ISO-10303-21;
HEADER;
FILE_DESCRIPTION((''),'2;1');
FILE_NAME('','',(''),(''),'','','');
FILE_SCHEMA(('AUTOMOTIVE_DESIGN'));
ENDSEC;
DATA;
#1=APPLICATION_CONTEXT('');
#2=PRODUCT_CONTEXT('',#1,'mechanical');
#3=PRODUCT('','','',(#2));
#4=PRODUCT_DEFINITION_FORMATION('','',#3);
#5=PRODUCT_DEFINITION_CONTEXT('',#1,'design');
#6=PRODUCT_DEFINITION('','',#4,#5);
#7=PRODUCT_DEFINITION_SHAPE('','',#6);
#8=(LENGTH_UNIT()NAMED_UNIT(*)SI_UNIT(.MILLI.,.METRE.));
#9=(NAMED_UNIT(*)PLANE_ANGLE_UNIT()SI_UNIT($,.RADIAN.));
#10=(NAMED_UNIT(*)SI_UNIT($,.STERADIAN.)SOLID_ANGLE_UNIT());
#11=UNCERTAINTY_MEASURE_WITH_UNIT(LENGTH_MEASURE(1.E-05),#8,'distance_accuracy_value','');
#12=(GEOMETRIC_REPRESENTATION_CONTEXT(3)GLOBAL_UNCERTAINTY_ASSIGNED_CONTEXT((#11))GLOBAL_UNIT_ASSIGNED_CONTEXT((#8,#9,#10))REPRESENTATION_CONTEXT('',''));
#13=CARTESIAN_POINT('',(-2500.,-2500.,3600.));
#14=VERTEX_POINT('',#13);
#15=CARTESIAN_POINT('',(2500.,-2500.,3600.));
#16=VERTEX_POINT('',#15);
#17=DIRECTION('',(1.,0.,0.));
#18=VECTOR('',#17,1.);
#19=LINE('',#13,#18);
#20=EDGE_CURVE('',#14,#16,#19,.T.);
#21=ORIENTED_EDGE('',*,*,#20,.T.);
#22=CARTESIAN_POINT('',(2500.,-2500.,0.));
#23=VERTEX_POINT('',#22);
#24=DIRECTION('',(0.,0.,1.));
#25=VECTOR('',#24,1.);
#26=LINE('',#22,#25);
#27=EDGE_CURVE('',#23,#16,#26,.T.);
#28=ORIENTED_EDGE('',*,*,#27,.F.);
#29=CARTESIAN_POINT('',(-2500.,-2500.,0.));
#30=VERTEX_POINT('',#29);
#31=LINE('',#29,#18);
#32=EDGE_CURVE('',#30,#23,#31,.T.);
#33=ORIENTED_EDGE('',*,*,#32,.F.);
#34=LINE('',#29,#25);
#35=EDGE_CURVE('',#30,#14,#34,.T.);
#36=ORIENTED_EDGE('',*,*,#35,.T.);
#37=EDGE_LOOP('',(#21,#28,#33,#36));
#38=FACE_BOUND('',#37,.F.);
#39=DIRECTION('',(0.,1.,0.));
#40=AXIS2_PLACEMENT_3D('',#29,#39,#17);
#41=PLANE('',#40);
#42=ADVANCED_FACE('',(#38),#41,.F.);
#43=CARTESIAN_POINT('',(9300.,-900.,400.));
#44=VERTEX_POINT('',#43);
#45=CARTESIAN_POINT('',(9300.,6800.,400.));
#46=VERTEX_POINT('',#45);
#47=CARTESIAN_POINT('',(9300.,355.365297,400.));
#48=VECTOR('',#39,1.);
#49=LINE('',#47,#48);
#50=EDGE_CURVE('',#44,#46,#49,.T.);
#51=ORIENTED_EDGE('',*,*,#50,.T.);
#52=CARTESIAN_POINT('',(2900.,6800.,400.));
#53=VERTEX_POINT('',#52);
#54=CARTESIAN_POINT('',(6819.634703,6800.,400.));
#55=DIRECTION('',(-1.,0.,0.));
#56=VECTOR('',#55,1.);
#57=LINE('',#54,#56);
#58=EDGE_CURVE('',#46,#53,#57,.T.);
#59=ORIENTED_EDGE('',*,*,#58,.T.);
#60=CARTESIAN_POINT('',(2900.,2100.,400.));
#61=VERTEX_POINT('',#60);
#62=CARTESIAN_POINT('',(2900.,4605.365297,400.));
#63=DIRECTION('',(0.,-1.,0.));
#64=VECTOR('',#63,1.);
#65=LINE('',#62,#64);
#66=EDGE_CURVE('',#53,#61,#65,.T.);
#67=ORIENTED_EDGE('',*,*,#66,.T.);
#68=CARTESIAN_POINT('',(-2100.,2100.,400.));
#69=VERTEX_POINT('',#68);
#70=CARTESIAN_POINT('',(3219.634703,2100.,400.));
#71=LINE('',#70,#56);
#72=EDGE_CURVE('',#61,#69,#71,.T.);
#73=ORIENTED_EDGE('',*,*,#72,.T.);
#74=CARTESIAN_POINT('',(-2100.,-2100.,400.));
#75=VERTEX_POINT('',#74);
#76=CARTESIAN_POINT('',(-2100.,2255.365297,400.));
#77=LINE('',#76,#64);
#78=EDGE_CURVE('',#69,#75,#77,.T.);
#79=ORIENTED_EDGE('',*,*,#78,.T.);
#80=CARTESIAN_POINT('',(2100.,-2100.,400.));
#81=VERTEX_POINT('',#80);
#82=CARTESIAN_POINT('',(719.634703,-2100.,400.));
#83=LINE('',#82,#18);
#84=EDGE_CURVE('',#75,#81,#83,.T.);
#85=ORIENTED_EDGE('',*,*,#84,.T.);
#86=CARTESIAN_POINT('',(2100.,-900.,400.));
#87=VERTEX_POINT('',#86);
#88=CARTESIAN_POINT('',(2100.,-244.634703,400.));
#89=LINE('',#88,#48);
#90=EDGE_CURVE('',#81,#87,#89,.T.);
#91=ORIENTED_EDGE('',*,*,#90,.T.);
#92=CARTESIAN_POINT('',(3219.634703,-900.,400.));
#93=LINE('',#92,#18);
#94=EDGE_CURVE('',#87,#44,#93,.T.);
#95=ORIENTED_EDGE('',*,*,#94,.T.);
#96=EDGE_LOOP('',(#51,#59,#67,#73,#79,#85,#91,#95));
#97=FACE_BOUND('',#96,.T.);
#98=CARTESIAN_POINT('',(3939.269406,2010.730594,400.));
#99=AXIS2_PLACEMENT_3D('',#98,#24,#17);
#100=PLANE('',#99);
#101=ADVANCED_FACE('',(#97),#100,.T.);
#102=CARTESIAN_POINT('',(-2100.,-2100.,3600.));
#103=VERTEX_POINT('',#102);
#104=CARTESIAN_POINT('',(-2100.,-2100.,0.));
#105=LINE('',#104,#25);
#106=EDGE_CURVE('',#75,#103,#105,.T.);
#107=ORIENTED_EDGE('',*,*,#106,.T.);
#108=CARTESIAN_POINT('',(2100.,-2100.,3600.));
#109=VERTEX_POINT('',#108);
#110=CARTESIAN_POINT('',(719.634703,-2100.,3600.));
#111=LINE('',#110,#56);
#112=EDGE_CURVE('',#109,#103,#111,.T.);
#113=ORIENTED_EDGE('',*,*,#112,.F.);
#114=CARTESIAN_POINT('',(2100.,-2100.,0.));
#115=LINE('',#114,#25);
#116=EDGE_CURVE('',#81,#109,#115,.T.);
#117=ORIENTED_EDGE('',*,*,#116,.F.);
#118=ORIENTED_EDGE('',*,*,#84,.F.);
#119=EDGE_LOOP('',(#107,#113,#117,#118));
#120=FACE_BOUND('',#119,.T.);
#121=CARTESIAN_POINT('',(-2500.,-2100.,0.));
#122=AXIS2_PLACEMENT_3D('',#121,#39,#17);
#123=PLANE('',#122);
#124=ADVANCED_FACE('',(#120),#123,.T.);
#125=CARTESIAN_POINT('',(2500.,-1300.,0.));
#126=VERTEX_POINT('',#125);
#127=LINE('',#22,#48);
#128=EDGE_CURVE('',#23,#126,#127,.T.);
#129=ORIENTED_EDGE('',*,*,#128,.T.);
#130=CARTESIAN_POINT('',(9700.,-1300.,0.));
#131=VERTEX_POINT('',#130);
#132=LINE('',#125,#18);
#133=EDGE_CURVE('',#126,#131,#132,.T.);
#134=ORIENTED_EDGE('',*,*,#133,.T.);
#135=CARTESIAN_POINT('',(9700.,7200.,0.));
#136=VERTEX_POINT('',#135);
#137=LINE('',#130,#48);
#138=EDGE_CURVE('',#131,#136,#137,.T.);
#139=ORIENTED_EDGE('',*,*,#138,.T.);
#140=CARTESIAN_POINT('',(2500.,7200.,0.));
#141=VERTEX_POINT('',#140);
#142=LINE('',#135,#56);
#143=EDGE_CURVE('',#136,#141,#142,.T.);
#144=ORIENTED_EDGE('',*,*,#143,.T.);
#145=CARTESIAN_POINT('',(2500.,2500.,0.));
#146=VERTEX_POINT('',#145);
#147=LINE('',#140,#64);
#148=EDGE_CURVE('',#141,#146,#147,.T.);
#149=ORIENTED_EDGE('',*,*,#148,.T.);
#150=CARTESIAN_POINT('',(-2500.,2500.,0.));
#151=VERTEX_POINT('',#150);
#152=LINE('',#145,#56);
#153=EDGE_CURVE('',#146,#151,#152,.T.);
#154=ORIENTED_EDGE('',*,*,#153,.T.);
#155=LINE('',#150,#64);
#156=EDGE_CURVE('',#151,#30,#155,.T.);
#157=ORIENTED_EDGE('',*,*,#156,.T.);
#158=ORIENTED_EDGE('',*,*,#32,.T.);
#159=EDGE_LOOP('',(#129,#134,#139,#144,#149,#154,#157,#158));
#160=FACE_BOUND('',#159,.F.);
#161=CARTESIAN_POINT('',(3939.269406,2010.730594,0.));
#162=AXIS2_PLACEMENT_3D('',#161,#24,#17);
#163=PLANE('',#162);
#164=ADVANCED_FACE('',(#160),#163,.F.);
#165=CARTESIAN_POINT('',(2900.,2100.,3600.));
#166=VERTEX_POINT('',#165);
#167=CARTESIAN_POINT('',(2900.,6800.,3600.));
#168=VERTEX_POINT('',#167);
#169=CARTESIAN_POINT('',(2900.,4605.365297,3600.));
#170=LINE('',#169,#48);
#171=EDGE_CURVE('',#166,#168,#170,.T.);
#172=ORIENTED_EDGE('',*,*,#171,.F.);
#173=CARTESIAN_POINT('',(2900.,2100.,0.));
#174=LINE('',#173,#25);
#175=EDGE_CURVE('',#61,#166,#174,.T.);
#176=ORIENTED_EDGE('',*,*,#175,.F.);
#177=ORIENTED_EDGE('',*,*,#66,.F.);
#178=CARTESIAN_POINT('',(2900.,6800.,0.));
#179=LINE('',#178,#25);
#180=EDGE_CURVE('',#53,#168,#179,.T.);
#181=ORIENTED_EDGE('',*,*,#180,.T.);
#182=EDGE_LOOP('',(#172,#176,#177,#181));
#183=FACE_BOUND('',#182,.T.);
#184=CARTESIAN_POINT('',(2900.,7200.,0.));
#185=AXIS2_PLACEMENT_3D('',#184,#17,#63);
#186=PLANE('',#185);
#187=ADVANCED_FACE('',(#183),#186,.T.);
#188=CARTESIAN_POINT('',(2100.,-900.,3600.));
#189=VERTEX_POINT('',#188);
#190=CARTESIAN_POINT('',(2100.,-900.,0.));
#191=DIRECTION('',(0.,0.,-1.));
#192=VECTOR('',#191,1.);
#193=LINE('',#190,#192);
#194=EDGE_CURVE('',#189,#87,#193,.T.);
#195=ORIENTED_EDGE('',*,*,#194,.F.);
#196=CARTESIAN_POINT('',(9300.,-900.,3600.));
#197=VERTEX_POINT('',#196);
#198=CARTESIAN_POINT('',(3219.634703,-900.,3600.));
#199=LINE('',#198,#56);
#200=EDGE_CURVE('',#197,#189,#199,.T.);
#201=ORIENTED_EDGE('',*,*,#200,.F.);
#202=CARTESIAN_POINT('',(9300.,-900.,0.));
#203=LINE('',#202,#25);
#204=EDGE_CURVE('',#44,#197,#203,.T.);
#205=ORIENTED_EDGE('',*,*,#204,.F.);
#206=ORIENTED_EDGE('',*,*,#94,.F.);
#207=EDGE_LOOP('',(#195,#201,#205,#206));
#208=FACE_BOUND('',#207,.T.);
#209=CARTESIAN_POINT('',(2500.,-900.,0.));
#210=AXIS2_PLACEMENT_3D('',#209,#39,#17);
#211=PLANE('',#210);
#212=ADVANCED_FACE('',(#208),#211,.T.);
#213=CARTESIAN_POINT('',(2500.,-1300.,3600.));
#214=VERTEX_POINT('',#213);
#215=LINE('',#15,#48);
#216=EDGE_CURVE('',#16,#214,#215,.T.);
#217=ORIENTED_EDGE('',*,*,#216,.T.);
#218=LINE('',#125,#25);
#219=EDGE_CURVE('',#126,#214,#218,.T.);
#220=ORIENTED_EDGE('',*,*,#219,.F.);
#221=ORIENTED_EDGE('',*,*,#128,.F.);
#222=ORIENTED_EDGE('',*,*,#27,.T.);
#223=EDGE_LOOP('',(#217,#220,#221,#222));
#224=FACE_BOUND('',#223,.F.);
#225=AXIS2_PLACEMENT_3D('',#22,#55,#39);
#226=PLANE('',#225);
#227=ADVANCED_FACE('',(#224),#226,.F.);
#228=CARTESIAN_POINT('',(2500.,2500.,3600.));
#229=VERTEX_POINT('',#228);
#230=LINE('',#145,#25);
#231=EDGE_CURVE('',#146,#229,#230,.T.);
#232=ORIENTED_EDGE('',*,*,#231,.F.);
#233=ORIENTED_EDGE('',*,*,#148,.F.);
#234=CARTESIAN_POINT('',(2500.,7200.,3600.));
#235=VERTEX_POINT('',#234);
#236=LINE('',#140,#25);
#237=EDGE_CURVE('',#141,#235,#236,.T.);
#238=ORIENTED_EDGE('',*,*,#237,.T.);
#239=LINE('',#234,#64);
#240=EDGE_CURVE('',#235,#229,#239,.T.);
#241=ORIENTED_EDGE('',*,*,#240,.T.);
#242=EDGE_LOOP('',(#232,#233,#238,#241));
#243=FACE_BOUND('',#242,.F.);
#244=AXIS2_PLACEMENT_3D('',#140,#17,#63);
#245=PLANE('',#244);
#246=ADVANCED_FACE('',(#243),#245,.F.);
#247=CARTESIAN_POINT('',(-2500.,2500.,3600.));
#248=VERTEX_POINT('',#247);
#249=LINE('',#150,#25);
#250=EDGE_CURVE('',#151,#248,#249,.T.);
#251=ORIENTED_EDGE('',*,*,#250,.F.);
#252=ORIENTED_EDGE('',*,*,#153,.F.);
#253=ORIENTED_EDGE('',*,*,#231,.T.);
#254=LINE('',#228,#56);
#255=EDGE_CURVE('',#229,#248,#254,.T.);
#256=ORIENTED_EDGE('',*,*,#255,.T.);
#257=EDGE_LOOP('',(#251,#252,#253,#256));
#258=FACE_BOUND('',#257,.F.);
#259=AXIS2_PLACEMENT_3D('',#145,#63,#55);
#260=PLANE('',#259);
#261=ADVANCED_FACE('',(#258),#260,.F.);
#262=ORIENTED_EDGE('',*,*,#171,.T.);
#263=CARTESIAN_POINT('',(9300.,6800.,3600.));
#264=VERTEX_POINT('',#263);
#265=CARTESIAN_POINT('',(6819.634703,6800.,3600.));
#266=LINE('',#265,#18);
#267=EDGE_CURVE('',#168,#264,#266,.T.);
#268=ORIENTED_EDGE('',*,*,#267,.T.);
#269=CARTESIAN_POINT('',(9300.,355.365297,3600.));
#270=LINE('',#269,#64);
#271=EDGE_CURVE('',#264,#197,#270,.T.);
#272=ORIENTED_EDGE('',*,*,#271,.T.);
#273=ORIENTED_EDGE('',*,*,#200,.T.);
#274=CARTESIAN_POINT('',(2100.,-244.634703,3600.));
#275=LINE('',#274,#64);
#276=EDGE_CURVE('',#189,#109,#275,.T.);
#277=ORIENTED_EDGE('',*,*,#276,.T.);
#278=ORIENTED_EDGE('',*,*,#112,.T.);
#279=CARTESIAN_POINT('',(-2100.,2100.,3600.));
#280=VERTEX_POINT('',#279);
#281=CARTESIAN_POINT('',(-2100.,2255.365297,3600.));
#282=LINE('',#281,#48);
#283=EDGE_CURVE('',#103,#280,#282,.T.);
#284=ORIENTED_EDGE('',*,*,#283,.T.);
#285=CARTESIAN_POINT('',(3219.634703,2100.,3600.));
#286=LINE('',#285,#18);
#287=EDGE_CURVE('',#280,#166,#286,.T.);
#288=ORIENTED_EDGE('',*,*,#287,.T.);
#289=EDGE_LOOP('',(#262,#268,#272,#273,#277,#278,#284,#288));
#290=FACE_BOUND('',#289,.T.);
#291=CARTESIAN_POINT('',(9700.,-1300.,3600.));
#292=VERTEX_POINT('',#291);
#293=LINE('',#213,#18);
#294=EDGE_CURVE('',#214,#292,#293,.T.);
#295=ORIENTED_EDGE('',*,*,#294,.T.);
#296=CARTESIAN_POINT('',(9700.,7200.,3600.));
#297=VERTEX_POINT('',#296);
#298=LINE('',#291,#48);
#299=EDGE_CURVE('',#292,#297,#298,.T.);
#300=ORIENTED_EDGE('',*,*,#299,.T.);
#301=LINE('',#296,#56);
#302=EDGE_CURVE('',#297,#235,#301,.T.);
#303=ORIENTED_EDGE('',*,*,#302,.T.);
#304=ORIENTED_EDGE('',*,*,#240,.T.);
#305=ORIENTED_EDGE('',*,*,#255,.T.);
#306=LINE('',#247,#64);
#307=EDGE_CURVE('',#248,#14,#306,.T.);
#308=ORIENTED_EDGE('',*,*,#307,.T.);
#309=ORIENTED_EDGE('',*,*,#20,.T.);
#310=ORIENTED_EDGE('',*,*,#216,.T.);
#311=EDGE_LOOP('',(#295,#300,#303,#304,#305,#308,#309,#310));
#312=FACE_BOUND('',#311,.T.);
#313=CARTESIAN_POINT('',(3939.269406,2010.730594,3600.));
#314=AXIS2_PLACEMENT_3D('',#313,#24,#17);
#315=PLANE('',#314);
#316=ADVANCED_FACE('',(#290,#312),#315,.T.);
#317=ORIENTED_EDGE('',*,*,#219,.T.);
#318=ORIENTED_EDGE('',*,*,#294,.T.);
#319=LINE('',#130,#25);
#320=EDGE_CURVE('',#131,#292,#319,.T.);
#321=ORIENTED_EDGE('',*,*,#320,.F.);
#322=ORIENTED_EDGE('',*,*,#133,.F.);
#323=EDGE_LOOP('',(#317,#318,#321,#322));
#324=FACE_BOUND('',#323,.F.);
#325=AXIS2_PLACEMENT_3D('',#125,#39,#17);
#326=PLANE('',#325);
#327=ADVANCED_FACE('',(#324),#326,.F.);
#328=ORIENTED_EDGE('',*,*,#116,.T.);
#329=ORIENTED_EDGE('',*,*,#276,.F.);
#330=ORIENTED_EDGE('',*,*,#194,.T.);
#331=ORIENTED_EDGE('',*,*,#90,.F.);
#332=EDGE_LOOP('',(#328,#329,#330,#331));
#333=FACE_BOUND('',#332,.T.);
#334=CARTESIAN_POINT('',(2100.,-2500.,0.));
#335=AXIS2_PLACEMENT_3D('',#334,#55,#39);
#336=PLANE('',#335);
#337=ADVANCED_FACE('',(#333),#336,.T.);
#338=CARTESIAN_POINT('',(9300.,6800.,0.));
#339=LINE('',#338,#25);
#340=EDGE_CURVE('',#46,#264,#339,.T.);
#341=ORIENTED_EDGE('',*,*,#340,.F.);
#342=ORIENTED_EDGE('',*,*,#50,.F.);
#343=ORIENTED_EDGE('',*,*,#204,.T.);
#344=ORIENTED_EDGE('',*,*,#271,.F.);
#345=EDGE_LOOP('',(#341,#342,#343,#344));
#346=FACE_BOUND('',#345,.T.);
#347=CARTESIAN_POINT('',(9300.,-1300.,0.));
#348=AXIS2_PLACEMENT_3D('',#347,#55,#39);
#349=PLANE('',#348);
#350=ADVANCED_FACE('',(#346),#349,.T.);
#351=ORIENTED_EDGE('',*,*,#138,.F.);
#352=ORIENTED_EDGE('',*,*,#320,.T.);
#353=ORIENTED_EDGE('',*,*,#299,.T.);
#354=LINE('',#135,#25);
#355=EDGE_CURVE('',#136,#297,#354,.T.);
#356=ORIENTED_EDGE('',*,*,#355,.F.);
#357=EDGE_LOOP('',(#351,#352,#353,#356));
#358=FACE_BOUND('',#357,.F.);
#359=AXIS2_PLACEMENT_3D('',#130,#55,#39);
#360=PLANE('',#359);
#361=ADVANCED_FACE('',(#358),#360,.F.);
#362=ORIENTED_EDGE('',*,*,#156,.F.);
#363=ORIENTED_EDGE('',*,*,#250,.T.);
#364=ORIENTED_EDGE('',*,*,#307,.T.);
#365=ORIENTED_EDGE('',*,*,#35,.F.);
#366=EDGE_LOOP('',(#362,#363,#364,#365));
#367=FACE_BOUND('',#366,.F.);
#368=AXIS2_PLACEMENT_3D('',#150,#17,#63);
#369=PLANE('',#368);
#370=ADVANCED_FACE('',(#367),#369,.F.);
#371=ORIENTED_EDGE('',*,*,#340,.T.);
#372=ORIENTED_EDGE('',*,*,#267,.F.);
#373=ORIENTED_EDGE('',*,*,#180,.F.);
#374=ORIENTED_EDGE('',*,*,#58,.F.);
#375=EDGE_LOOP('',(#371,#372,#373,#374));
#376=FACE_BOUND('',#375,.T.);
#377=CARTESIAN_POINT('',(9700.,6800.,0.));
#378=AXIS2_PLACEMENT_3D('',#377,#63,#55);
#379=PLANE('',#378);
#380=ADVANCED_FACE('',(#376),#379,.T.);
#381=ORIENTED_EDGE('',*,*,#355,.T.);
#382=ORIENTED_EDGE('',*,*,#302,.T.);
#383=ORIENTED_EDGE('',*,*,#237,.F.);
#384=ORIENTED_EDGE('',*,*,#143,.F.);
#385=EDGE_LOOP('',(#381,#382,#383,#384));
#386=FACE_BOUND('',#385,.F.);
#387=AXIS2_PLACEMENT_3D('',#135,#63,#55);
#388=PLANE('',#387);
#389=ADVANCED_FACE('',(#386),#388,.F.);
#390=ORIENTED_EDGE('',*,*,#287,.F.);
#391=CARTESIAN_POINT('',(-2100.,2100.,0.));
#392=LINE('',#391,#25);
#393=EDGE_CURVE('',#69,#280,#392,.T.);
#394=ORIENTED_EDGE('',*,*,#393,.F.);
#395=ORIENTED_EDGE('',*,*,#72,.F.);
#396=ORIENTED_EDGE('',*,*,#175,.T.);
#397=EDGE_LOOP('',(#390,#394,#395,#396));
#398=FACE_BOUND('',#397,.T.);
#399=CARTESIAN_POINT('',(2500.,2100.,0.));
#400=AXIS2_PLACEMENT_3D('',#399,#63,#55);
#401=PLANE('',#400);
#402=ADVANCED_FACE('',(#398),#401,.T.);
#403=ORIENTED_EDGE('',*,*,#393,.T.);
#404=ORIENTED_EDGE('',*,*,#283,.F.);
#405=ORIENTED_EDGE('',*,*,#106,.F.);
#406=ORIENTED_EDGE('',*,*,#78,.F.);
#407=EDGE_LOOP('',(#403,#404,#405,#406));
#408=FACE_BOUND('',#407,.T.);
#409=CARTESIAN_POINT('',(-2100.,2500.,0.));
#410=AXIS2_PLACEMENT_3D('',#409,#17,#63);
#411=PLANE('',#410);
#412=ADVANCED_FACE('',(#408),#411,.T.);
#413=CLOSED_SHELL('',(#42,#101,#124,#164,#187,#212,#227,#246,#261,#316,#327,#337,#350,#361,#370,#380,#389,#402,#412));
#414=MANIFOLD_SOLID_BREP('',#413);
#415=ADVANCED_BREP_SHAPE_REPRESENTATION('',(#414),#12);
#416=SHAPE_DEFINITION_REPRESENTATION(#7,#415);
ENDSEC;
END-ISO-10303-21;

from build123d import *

# Parameters (mm, degrees)
F1_DEPTH = 3600
F2_T     = -400


with BuildPart() as f1:
    # F0 (on Top) → F1 (new body)
    with BuildSketch(Plane.XY):
        Polygon((2500, 2500), (-2500, 2500), (-2500, -2500), (2500, -2500), (2500, -1300), (9700, -1300), (9700, 7200), (2500, 7200), align=None)
    extrude(amount=F1_DEPTH)

    # F2
    f2_openings = [f1.faces().sort_by_distance(p)[0] for p in [
        (4330.858469, 2094.431555, 3600),
    ]]
    offset(amount=F2_T, openings=f2_openings, kind=Kind.INTERSECTION)


solid = f1.part
